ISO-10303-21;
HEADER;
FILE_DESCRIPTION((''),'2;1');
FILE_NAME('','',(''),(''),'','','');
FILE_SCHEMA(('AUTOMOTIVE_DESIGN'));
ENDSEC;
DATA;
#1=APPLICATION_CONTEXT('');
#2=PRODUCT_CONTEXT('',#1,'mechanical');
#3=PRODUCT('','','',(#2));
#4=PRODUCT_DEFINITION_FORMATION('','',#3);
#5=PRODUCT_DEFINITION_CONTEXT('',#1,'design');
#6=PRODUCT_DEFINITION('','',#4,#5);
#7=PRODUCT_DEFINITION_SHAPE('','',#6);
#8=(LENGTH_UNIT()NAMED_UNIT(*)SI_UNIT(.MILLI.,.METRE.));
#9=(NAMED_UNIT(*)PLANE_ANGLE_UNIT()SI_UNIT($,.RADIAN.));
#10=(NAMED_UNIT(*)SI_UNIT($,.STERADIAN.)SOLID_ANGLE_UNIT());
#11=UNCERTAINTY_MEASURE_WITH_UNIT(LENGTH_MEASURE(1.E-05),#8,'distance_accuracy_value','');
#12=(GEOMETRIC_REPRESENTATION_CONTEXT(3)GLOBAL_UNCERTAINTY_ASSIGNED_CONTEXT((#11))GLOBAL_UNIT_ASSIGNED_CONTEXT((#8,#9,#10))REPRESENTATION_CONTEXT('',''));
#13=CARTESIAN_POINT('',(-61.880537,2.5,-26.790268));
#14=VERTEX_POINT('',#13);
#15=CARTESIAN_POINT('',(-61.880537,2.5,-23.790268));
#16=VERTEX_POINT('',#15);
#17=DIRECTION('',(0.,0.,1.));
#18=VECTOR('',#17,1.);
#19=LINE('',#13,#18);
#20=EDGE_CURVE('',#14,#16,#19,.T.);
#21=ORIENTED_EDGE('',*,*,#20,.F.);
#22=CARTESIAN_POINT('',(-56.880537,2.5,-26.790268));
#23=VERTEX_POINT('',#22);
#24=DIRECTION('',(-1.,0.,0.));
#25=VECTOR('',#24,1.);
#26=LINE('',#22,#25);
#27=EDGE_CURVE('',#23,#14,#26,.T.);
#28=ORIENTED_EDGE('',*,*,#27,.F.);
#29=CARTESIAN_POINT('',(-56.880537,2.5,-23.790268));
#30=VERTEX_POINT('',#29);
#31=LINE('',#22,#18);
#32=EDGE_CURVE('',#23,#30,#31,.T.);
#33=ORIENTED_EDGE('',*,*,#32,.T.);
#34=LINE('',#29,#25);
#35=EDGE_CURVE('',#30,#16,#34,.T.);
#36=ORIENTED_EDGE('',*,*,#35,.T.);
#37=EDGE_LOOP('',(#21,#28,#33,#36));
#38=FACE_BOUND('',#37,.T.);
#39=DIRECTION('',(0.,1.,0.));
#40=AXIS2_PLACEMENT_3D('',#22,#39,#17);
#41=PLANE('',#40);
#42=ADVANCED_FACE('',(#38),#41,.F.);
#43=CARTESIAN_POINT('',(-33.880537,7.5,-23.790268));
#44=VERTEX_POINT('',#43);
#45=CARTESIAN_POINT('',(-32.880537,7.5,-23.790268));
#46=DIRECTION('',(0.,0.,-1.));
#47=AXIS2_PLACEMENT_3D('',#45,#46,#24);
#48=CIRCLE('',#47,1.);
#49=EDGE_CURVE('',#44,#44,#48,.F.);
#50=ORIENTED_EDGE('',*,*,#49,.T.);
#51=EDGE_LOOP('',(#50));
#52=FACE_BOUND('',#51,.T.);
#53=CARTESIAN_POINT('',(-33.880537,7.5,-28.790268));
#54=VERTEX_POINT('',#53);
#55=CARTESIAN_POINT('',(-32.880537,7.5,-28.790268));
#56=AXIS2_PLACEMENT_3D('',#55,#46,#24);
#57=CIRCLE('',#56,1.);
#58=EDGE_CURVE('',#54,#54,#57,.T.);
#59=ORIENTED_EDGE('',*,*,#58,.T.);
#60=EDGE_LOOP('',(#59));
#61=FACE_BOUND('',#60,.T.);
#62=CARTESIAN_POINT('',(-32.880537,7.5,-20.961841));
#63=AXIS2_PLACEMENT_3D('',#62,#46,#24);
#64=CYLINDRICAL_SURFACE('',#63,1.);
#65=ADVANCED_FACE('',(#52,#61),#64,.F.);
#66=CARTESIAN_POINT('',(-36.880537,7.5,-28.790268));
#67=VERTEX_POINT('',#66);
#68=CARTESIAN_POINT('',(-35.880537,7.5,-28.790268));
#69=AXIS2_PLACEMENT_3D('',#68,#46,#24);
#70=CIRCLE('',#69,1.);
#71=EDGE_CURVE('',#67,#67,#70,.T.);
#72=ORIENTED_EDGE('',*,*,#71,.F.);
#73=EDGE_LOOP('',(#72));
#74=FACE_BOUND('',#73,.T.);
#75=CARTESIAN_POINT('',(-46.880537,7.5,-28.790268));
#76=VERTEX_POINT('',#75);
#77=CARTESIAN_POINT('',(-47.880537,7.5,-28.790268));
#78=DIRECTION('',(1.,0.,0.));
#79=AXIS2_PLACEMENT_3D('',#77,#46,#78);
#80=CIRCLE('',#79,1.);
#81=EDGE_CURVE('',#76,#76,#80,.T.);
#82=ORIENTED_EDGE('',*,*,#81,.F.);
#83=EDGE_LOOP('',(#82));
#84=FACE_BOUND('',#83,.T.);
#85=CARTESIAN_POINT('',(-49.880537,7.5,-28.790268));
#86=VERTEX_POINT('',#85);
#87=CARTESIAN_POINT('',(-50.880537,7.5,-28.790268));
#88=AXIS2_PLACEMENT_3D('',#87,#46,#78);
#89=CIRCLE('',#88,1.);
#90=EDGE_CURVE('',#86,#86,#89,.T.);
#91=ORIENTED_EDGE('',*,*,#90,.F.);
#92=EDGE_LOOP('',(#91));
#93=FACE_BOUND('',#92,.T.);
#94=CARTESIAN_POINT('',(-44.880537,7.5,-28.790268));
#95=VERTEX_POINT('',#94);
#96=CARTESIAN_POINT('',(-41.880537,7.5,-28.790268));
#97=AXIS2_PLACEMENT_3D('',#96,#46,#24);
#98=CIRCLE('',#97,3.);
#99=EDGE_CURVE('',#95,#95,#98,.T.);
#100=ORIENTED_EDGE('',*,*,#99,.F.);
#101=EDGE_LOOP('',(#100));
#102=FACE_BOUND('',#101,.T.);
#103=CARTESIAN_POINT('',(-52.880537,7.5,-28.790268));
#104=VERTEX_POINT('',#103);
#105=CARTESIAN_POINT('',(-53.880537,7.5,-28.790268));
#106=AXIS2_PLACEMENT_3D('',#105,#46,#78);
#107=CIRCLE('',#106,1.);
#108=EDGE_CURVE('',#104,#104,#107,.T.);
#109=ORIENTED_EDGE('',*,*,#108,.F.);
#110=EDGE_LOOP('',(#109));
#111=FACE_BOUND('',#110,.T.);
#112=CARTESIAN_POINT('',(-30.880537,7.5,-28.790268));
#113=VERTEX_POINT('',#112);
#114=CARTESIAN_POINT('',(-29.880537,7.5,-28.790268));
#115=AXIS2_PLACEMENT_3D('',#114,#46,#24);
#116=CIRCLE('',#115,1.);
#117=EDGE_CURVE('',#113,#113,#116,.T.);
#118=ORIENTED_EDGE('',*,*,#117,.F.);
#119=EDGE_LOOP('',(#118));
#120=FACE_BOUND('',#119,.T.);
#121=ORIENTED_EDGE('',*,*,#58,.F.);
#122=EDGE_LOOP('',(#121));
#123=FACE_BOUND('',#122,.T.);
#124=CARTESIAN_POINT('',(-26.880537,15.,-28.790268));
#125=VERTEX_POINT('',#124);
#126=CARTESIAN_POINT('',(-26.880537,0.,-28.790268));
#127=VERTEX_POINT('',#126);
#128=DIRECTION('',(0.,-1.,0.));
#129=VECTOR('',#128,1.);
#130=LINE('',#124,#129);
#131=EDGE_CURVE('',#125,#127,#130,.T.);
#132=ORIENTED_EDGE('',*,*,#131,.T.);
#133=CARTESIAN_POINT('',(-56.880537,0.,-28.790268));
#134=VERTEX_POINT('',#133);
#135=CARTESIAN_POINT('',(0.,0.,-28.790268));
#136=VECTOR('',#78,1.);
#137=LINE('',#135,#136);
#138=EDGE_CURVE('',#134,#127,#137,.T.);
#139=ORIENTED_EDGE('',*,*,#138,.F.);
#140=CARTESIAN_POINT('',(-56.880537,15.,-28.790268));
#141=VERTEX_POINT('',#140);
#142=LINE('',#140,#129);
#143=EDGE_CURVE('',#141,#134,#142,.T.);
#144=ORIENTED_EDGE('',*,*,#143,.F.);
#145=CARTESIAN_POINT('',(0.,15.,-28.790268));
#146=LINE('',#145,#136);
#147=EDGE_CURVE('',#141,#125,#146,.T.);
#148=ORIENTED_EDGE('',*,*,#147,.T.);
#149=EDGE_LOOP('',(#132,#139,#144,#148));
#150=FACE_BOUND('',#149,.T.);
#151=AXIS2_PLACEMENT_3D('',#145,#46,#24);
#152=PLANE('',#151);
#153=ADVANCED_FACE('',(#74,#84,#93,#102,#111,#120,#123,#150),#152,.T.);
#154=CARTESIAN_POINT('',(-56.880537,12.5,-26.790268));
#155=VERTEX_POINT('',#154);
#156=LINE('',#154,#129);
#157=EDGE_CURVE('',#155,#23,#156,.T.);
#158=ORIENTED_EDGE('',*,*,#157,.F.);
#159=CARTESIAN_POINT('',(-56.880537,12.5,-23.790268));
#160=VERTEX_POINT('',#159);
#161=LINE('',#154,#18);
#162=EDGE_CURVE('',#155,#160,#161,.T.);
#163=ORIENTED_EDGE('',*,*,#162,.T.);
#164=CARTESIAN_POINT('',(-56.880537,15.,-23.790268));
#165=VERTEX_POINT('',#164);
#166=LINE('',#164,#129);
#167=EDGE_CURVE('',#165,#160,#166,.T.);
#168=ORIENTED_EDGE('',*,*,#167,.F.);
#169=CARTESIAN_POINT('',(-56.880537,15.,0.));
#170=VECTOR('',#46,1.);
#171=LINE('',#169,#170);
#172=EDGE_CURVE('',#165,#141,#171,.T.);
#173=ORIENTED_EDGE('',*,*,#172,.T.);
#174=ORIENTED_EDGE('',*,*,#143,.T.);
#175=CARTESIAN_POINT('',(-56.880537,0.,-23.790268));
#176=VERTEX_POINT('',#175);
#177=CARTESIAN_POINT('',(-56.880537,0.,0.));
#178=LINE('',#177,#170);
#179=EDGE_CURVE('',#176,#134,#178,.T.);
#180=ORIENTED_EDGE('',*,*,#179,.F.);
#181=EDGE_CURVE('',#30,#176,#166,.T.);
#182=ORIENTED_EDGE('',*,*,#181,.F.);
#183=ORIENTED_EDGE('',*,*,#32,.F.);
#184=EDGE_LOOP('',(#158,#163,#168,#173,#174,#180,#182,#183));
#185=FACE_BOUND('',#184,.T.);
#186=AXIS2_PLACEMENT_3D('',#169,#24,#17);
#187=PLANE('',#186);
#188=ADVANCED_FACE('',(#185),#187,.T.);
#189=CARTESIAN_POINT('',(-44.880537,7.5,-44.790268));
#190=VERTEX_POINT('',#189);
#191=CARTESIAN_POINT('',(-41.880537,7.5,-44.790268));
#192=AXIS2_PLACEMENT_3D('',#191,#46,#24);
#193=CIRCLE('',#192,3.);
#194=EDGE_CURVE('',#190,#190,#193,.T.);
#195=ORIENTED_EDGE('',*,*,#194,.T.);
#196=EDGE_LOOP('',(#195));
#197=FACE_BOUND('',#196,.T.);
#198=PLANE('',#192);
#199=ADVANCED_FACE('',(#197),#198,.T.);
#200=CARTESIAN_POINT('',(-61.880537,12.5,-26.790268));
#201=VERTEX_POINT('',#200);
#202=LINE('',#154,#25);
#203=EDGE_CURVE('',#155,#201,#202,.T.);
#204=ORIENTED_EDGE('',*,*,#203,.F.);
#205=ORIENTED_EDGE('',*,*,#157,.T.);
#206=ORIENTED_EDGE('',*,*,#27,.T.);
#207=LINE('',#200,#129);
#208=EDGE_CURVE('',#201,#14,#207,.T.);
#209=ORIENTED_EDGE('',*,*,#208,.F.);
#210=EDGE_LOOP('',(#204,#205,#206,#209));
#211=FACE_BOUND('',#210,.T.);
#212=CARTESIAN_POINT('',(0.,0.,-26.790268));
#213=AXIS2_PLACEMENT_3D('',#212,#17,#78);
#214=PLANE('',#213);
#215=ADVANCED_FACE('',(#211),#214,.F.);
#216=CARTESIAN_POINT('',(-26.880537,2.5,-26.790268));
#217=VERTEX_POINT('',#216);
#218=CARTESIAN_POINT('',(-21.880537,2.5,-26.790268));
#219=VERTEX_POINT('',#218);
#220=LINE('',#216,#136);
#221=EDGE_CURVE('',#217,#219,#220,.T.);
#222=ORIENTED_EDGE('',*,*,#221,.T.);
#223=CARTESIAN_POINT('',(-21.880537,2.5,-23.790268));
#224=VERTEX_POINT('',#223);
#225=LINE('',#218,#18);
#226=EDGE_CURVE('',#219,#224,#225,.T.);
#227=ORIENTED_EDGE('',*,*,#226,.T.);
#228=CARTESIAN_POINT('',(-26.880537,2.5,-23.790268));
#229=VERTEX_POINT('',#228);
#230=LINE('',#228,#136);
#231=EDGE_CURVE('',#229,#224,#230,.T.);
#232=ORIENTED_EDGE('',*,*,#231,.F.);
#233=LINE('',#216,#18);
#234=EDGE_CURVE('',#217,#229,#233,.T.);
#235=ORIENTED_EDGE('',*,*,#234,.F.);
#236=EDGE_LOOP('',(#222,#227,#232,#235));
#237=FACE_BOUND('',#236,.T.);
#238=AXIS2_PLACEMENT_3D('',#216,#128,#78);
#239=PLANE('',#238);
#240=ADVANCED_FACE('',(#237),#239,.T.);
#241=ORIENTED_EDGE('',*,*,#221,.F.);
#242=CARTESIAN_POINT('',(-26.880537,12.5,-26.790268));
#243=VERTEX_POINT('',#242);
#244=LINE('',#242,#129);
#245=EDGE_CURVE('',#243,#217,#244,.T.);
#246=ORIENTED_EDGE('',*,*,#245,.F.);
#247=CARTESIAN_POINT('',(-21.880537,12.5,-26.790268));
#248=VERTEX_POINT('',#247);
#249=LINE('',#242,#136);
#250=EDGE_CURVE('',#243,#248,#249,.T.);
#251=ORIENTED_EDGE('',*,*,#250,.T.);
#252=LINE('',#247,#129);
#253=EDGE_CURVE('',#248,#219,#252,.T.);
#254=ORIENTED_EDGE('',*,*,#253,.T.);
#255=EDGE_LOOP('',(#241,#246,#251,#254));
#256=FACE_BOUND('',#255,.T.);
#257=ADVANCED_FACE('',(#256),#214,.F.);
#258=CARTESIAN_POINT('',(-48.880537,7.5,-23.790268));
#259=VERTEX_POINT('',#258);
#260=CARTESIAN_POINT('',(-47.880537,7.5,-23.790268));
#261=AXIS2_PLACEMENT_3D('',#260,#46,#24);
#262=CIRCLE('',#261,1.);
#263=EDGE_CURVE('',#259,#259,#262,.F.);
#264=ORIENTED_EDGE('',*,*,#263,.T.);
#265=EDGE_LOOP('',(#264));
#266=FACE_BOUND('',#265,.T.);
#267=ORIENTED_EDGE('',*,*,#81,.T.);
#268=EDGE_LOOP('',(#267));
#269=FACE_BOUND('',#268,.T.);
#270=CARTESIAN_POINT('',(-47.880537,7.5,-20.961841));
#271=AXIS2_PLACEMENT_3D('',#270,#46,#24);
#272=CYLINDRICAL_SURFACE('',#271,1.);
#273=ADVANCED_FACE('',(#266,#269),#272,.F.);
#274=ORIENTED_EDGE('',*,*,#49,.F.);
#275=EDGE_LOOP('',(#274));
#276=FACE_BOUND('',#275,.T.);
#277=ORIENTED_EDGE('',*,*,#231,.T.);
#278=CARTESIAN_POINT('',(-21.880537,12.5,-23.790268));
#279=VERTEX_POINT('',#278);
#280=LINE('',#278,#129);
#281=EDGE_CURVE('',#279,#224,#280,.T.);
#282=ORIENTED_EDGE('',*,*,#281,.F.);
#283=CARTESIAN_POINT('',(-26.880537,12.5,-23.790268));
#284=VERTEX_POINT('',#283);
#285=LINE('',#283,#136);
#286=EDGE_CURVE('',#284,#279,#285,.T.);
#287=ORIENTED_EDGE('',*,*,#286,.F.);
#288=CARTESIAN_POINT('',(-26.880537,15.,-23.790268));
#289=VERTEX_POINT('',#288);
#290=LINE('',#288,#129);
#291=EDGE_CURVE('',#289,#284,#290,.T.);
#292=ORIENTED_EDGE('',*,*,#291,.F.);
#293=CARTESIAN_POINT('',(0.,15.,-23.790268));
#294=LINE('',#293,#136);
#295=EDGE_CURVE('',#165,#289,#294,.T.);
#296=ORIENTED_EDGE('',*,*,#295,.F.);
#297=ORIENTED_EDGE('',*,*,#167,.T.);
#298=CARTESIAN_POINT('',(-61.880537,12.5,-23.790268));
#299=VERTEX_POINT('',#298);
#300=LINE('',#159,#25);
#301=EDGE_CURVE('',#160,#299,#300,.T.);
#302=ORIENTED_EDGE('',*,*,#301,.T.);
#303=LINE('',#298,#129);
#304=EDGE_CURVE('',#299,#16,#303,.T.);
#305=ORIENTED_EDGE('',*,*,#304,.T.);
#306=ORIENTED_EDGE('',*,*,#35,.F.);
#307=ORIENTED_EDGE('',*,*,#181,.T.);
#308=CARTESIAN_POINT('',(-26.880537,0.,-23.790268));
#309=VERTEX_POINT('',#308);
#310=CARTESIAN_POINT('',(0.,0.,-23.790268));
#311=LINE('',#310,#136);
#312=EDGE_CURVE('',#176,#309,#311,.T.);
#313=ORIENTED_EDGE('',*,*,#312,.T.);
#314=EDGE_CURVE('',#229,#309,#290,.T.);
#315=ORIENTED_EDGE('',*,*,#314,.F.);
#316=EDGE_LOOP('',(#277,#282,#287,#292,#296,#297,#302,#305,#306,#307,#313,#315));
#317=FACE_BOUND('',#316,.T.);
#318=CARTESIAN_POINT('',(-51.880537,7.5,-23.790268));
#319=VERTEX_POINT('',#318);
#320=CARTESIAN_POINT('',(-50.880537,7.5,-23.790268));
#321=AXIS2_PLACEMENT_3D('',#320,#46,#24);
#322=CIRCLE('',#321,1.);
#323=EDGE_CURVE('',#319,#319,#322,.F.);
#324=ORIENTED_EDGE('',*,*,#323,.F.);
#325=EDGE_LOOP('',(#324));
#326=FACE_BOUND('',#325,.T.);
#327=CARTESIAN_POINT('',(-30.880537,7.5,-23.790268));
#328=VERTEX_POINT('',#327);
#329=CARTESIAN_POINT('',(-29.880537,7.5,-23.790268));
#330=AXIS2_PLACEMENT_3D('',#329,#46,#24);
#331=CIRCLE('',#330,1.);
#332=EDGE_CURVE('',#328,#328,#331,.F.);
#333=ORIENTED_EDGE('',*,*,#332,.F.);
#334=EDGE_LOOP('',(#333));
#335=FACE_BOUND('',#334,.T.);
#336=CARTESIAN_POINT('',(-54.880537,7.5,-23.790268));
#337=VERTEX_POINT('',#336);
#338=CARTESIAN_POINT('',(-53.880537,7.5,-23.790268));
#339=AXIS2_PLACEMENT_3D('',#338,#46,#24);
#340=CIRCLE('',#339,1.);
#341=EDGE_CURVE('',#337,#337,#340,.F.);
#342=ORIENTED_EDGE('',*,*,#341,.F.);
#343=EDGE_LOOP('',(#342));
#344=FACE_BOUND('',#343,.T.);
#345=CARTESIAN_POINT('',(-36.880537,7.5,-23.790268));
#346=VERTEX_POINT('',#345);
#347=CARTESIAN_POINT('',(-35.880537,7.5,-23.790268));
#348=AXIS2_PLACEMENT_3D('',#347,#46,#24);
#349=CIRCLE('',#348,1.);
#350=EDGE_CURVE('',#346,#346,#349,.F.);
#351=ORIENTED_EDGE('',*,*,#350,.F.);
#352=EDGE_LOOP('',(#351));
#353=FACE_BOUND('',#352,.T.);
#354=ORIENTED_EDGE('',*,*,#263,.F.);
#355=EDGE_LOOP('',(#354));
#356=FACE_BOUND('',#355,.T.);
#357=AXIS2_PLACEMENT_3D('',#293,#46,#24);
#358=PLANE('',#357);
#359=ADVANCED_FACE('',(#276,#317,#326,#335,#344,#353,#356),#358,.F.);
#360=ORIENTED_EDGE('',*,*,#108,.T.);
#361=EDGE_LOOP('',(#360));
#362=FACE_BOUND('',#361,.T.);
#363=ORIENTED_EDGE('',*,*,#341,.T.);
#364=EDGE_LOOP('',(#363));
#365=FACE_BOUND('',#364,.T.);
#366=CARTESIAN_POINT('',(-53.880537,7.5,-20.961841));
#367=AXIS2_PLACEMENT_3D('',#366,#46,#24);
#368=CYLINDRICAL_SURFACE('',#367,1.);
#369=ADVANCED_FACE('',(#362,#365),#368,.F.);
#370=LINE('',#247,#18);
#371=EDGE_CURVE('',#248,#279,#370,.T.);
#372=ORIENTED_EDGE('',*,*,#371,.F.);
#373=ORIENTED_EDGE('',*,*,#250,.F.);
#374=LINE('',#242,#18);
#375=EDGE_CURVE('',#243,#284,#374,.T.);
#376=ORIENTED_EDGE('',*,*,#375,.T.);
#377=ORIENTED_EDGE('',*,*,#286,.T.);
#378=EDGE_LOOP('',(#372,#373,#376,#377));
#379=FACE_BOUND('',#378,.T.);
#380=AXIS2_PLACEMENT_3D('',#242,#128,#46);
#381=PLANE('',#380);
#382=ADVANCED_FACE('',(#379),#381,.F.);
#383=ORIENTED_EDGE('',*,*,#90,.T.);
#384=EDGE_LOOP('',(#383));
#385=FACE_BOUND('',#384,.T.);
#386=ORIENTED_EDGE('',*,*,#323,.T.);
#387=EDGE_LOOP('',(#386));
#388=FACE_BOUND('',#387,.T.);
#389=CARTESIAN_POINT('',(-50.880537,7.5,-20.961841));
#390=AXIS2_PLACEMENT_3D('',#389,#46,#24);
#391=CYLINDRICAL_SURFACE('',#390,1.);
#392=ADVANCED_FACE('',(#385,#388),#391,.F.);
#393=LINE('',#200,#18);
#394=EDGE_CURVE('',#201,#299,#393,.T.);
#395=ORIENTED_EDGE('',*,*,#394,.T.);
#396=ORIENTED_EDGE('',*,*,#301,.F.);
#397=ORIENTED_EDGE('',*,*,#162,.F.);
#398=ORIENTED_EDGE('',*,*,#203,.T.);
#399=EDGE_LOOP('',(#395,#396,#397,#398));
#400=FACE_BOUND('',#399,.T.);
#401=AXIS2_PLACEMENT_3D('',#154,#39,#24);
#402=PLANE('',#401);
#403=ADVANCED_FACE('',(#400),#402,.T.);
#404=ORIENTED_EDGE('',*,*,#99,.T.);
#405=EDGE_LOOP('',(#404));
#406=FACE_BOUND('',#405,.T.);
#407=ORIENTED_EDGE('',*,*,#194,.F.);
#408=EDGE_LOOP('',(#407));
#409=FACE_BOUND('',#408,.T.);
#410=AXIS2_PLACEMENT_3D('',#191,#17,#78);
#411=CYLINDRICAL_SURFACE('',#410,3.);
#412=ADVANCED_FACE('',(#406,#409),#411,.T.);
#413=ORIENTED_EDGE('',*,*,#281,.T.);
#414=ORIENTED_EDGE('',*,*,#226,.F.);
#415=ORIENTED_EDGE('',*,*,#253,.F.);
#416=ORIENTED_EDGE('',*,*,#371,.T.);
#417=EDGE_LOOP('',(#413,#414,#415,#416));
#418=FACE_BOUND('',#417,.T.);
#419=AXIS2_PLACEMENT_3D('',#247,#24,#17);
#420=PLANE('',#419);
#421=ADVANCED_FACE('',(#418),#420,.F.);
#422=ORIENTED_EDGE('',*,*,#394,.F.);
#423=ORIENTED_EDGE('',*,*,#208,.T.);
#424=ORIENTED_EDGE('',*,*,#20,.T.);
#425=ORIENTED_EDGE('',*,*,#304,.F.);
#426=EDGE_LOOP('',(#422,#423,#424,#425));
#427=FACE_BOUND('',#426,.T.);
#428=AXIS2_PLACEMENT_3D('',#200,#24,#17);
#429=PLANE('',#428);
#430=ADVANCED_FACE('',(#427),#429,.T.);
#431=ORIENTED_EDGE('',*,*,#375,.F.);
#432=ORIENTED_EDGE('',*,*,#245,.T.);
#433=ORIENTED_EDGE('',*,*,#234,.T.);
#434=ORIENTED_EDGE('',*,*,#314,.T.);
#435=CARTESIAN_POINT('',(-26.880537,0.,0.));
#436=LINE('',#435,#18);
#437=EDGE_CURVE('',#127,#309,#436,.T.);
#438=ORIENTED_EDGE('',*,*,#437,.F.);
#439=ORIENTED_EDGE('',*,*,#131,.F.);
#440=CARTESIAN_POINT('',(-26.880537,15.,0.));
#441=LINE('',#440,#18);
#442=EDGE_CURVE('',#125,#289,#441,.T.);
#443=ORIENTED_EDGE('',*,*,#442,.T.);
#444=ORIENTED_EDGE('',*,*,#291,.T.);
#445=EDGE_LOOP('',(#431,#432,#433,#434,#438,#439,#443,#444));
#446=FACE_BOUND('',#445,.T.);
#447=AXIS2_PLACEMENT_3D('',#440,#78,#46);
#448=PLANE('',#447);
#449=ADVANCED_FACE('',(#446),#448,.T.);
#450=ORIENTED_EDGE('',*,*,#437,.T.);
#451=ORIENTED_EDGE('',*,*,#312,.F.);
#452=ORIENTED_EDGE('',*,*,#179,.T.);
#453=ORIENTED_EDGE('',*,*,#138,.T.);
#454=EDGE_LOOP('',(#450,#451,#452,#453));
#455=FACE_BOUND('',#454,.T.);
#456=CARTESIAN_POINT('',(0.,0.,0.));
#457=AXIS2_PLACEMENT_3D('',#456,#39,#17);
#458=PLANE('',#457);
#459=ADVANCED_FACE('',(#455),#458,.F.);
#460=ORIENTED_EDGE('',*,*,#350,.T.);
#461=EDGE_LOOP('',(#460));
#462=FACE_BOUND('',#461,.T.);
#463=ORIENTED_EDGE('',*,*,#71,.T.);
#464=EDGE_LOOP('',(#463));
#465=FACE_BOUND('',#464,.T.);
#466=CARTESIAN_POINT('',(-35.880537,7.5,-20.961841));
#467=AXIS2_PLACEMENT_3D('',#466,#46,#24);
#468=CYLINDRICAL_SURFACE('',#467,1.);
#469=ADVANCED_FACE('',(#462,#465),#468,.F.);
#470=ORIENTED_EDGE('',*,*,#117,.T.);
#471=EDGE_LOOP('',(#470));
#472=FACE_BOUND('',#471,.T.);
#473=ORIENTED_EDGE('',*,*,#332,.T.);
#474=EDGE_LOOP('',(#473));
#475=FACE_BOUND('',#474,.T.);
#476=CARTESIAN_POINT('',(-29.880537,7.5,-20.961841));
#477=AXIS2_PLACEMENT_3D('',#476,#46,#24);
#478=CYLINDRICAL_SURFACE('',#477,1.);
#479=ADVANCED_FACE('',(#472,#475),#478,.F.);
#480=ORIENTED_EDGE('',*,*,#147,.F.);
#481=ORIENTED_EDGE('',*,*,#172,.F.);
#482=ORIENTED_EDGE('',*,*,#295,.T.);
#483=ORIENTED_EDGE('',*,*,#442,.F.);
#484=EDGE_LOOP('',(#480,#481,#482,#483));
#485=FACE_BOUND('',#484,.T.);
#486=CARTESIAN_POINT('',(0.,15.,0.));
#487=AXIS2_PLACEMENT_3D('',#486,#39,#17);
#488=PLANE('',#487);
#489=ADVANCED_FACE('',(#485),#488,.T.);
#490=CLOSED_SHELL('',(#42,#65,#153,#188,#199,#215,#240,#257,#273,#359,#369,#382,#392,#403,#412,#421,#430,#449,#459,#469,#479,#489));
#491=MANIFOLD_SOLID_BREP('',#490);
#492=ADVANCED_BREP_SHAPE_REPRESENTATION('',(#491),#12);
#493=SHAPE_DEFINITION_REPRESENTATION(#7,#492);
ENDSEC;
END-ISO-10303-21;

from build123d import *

# Parameters (mm, degrees)
SKETCH1_W           = 30
SKETCH1_H           = 5
BOSS_EXTRUDE1_DEPTH = 15
SKETCH3_R           = 1
CUT_EXTRUDE2_DEPTH  = 5
SKETCH5_W           = 5
SKETCH5_H           = 10
BOSS_EXTRUDE2_DEPTH = 3
SKETCH4_R           = 3
BOSS_EXTRUDE3_DEPTH = 16


with BuildPart() as part:
    # Sketch1 → Boss-Extrude1 (new body)
    with BuildSketch(Plane(origin=(0, 0, 0), x_dir=(1, 0, 0), z_dir=(0, 1, 0))):
        with Locations((-41.880536913, 26.290268456)):
            Rectangle(SKETCH1_W, SKETCH1_H)
    extrude(amount=BOSS_EXTRUDE1_DEPTH)

    # Sketch3 → Cut-Extrude2 (cut)
    with BuildSketch(Plane(origin=(0, 0, -28.790268456), x_dir=(-1, 0, 0), z_dir=(0, 0, -1))):
        with Locations((35.880536913, 7.5)):
            Circle(SKETCH3_R)
        with Locations((32.880536913, 7.5)):
            Circle(SKETCH3_R)
        with Locations((29.880536913, 7.5)):
            Circle(SKETCH3_R)
        with Locations((53.880536913, 7.5)):
            Circle(SKETCH3_R)
        with Locations((50.880536913, 7.5)):
            Circle(SKETCH3_R)
        with Locations((47.880536913, 7.5)):
            Circle(SKETCH3_R)
    extrude(amount=-CUT_EXTRUDE2_DEPTH, mode=Mode.SUBTRACT)

    # Sketch5 → Boss-Extrude2 (add)
    with BuildSketch(Plane.XY.offset(-23.790268456)):
        with Locations((-59.380536913, 7.5)):
            Rectangle(SKETCH5_W, SKETCH5_H)
        with Locations((-24.380536913, 7.5)):
            Rectangle(SKETCH5_W, SKETCH5_H)
    extrude(amount=-BOSS_EXTRUDE2_DEPTH)

    # Sketch4 → Boss-Extrude3 (add)
    with BuildSketch(Plane(origin=(0, 0, -28.790268456), x_dir=(-1, 0, 0), z_dir=(0, 0, -1))):
        with Locations((41.880536913, 7.5)):
            Circle(SKETCH4_R)
    extrude(amount=BOSS_EXTRUDE3_DEPTH)


solid = part.part
